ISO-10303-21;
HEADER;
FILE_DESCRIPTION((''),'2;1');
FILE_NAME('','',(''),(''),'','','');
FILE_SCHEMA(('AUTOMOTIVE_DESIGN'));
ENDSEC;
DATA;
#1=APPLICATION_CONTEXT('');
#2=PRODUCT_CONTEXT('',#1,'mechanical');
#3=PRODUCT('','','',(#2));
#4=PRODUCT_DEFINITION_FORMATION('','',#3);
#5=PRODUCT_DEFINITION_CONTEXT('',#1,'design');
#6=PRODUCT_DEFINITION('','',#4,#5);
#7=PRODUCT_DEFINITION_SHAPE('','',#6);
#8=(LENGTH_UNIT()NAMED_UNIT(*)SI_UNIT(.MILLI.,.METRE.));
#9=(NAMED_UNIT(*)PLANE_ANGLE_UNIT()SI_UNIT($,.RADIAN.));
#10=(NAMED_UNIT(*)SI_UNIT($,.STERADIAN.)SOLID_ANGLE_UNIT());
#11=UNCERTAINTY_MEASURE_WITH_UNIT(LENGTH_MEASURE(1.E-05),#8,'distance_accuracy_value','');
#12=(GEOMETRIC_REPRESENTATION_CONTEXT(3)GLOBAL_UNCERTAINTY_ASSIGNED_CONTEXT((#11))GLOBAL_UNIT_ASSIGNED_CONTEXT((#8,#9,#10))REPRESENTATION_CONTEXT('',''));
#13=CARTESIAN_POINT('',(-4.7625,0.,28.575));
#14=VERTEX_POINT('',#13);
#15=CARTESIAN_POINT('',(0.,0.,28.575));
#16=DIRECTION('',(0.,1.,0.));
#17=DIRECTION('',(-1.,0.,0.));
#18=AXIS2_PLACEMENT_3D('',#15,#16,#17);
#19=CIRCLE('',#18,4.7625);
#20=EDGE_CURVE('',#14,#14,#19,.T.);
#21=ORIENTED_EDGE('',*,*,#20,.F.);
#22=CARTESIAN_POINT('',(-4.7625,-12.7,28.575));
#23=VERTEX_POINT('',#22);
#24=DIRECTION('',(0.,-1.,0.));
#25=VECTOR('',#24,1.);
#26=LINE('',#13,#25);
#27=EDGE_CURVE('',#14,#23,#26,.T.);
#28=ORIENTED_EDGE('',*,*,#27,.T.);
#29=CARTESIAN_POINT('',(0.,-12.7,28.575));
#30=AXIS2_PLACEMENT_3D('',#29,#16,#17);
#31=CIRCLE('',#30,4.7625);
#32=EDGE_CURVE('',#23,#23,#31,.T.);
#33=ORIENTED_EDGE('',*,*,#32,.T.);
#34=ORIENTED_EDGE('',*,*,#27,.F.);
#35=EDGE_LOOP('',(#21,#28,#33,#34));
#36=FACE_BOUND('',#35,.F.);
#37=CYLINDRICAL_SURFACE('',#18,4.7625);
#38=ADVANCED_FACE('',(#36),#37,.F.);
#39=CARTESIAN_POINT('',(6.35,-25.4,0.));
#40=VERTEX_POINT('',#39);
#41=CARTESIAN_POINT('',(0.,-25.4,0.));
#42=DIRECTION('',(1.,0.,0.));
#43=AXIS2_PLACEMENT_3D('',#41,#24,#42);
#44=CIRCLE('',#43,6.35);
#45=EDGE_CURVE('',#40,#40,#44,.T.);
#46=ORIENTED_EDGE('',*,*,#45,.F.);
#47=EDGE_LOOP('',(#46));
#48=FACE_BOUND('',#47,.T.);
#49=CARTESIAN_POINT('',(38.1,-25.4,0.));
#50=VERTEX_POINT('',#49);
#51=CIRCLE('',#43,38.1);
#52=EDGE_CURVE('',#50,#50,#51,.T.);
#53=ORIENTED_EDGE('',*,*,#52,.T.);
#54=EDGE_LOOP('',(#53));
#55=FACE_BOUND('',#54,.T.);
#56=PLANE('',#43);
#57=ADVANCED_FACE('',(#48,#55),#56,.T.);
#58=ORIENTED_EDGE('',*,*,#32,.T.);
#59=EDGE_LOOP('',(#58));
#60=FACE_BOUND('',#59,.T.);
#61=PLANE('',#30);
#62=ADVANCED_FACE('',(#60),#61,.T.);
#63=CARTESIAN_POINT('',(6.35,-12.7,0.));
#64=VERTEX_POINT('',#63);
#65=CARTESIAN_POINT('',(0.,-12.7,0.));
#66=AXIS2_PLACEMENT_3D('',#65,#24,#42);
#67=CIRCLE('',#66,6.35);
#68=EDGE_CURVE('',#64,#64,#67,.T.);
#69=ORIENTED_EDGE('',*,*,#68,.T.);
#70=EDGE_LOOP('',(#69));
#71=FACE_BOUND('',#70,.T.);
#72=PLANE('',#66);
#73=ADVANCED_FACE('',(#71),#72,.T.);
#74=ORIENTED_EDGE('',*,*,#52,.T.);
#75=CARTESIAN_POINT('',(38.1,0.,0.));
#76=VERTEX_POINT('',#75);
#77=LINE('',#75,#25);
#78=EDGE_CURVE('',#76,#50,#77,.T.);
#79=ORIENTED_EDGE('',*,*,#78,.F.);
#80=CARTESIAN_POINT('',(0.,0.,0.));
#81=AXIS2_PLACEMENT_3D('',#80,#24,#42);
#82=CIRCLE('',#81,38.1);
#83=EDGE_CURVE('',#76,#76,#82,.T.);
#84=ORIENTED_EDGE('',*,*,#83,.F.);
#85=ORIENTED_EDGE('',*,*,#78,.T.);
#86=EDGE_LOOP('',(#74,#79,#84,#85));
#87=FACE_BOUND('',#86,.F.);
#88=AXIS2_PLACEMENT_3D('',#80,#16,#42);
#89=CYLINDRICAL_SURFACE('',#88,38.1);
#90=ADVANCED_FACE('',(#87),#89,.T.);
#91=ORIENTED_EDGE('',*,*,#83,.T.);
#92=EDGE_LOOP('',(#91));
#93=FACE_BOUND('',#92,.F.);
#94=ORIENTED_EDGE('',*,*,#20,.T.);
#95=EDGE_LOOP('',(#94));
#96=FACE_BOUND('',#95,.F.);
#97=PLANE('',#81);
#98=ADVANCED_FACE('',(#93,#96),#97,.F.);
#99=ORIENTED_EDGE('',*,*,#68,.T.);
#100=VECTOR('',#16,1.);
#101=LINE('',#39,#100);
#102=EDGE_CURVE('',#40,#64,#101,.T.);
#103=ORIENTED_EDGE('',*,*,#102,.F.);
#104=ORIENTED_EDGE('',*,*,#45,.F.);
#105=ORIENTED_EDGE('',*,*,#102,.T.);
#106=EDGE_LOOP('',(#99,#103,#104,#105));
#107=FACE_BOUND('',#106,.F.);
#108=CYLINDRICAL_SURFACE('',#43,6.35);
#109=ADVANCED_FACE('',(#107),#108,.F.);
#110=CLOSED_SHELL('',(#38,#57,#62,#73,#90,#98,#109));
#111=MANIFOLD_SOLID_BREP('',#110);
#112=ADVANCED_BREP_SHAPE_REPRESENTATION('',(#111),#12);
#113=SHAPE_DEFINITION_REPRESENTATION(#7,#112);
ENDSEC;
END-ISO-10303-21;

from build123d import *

# Parameters (mm, degrees)
F0_R     = 38.1
F1_DEPTH = 25.4
F2_R     = 6.35
F3_DEPTH = 12.7
F4_R     = 4.7625
F5_DEPTH = 12.7


with BuildPart() as f1:
    # F0 (on Front) → F1 (new body)
    with BuildSketch(Plane.XZ):
        Circle(F0_R)
    extrude(amount=F1_DEPTH)

    # F2 (on face) → F3 (cut)
    with BuildSketch(Plane.XZ.offset(25.4)):
        Circle(F2_R)
    extrude(amount=-F3_DEPTH, mode=Mode.SUBTRACT)

    # F4 (on face) → F5 (cut)
    with BuildSketch(Plane(origin=(0, 0, 0), x_dir=(-1, 0, 0), z_dir=(0, 1, 0))):
        with Locations((0, 28.575)):
            Circle(F4_R)
    extrude(amount=-F5_DEPTH, mode=Mode.SUBTRACT)


solid = f1.part
